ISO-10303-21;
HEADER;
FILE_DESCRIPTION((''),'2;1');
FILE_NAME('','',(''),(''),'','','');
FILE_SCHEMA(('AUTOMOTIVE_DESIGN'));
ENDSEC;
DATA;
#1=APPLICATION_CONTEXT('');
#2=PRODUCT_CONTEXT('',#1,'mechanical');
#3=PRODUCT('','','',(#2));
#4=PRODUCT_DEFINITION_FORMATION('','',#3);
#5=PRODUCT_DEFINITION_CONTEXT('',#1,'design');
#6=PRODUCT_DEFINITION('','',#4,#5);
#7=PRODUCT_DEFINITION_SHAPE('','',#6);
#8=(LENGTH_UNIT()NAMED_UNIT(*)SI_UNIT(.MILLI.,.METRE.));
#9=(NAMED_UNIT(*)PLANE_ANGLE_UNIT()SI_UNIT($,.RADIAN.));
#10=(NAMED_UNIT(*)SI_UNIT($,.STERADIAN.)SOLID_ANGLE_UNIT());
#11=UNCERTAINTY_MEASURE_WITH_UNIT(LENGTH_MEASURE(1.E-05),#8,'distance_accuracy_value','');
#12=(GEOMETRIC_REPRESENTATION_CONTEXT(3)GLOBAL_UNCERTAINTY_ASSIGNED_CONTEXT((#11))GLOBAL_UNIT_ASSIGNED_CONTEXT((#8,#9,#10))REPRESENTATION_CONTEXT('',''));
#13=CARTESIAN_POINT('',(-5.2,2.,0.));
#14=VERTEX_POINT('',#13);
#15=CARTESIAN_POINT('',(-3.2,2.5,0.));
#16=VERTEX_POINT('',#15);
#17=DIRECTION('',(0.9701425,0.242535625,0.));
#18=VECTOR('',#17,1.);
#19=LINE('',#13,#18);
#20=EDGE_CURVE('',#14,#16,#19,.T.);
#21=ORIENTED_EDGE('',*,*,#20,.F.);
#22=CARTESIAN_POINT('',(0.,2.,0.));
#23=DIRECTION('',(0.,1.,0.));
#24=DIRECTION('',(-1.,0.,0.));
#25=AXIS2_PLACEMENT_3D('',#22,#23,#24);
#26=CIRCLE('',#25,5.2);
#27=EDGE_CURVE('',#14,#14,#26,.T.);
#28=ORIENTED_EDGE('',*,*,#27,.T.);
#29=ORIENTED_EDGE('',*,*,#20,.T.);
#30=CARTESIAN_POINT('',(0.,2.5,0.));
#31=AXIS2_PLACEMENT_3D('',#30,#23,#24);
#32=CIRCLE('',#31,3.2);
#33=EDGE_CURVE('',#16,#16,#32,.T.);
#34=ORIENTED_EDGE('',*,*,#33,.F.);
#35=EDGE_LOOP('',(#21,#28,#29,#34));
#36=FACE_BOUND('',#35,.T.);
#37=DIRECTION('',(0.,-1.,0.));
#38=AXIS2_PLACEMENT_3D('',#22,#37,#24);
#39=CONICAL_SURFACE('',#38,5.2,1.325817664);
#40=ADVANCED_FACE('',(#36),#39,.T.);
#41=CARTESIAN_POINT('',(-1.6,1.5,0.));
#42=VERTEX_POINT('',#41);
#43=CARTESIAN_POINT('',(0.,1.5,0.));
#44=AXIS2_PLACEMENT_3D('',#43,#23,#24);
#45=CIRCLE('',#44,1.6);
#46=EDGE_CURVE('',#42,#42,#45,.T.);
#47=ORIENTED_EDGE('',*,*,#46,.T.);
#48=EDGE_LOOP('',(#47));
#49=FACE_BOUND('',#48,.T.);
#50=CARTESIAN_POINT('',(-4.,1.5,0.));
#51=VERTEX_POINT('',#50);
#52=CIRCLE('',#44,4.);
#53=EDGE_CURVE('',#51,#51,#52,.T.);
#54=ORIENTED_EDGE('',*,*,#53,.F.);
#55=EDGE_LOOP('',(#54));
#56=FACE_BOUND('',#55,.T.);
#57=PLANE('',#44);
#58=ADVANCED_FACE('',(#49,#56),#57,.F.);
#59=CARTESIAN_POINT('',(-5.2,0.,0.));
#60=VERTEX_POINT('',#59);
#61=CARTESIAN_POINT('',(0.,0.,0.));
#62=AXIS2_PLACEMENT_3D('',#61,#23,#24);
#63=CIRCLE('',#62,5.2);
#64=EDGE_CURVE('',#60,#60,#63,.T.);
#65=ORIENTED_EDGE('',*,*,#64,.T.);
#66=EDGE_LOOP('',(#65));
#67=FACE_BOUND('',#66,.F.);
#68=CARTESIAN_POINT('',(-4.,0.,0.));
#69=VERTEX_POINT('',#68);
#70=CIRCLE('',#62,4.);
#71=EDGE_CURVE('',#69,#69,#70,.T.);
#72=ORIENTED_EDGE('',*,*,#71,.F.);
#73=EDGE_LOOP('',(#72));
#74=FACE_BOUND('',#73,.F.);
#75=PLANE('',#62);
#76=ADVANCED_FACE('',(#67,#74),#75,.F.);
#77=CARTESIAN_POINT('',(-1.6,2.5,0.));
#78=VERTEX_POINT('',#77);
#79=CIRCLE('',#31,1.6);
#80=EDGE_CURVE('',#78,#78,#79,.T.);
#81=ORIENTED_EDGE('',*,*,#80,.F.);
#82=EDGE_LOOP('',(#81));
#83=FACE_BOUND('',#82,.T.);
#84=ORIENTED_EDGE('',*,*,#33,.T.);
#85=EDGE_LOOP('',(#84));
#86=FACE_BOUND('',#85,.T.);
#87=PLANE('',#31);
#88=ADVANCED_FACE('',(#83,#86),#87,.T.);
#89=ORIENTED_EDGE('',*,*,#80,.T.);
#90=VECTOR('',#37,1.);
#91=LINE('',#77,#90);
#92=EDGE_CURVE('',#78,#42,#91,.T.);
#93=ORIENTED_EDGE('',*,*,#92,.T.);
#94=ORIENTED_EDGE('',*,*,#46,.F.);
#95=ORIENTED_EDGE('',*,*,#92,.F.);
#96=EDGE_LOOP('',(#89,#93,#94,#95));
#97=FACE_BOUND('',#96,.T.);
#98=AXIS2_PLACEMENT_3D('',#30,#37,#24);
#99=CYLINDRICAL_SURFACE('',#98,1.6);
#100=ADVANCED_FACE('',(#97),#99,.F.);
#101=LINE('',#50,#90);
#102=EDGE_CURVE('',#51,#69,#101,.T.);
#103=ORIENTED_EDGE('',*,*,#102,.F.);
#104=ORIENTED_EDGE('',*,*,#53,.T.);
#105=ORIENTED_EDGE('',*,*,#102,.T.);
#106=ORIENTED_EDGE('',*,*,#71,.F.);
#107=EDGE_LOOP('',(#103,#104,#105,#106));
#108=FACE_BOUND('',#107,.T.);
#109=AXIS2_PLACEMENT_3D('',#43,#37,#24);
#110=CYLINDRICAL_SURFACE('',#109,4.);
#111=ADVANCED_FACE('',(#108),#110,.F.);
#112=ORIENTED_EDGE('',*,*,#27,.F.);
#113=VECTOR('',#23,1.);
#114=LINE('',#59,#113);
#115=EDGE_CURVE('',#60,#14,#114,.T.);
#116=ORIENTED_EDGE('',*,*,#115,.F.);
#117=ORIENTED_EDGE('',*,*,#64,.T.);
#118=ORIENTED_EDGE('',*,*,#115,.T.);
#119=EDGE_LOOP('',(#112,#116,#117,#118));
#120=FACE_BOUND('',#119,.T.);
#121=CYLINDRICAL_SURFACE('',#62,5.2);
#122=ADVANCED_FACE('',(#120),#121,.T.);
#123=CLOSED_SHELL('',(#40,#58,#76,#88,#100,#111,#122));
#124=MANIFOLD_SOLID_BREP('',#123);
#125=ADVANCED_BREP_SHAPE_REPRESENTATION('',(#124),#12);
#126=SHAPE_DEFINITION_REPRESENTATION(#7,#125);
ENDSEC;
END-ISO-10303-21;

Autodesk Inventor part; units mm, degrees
ref_plane "YZ-Ebene" through (0, 0, 0) normal (1, 0, 0) x (0, 1, 0)
ref_plane "XZ-Ebene" through (0, 0, 0) normal (0, 1, 0) x (-1, 0, 0)
ref_plane "XY-Ebene" through (0, 0, 0) normal (0, 0, 1) x (1, 0, 0)
sketch "Skizze1" plane through (0, 0, 0) normal (0, 0, 1) x (1, 0, 0)
  line L0 (-6.24, 0) -> (1.04, 0) projected
  line L1 (0, -0.5) -> (0, 3) projected
  line L2 (-5.2, 0) -> (-5.2, 2)
  line L3 (-5.2, 2) -> (-3.2, 2.5)
  line L4 (-3.2, 2.5) -> (-1.6, 2.5)
  line L5 (-1.6, 2.5) -> (-1.6, 1.5)
  line L6 (-1.6, 1.5) -> (-4, 1.5)
  line L7 (-4, 1.5) -> (-4, 0)
  point P0 (0, 0)
  dimension "d3" = 3.2
  dimension "d4" = 6.4
  dimension "d5" = 8
  dimension "d6" = 10.4
  dimension "d7" = 2
  dimension "d8" = 2.5
  dimension "d9" = 1.5
revolve "Umdrehung1" add sketch "Skizze1" angle 360 about axis through (0, -10, 0) along (0, 1, 0)
properties part number "Deckel_ra8846s" material "Stahl"
